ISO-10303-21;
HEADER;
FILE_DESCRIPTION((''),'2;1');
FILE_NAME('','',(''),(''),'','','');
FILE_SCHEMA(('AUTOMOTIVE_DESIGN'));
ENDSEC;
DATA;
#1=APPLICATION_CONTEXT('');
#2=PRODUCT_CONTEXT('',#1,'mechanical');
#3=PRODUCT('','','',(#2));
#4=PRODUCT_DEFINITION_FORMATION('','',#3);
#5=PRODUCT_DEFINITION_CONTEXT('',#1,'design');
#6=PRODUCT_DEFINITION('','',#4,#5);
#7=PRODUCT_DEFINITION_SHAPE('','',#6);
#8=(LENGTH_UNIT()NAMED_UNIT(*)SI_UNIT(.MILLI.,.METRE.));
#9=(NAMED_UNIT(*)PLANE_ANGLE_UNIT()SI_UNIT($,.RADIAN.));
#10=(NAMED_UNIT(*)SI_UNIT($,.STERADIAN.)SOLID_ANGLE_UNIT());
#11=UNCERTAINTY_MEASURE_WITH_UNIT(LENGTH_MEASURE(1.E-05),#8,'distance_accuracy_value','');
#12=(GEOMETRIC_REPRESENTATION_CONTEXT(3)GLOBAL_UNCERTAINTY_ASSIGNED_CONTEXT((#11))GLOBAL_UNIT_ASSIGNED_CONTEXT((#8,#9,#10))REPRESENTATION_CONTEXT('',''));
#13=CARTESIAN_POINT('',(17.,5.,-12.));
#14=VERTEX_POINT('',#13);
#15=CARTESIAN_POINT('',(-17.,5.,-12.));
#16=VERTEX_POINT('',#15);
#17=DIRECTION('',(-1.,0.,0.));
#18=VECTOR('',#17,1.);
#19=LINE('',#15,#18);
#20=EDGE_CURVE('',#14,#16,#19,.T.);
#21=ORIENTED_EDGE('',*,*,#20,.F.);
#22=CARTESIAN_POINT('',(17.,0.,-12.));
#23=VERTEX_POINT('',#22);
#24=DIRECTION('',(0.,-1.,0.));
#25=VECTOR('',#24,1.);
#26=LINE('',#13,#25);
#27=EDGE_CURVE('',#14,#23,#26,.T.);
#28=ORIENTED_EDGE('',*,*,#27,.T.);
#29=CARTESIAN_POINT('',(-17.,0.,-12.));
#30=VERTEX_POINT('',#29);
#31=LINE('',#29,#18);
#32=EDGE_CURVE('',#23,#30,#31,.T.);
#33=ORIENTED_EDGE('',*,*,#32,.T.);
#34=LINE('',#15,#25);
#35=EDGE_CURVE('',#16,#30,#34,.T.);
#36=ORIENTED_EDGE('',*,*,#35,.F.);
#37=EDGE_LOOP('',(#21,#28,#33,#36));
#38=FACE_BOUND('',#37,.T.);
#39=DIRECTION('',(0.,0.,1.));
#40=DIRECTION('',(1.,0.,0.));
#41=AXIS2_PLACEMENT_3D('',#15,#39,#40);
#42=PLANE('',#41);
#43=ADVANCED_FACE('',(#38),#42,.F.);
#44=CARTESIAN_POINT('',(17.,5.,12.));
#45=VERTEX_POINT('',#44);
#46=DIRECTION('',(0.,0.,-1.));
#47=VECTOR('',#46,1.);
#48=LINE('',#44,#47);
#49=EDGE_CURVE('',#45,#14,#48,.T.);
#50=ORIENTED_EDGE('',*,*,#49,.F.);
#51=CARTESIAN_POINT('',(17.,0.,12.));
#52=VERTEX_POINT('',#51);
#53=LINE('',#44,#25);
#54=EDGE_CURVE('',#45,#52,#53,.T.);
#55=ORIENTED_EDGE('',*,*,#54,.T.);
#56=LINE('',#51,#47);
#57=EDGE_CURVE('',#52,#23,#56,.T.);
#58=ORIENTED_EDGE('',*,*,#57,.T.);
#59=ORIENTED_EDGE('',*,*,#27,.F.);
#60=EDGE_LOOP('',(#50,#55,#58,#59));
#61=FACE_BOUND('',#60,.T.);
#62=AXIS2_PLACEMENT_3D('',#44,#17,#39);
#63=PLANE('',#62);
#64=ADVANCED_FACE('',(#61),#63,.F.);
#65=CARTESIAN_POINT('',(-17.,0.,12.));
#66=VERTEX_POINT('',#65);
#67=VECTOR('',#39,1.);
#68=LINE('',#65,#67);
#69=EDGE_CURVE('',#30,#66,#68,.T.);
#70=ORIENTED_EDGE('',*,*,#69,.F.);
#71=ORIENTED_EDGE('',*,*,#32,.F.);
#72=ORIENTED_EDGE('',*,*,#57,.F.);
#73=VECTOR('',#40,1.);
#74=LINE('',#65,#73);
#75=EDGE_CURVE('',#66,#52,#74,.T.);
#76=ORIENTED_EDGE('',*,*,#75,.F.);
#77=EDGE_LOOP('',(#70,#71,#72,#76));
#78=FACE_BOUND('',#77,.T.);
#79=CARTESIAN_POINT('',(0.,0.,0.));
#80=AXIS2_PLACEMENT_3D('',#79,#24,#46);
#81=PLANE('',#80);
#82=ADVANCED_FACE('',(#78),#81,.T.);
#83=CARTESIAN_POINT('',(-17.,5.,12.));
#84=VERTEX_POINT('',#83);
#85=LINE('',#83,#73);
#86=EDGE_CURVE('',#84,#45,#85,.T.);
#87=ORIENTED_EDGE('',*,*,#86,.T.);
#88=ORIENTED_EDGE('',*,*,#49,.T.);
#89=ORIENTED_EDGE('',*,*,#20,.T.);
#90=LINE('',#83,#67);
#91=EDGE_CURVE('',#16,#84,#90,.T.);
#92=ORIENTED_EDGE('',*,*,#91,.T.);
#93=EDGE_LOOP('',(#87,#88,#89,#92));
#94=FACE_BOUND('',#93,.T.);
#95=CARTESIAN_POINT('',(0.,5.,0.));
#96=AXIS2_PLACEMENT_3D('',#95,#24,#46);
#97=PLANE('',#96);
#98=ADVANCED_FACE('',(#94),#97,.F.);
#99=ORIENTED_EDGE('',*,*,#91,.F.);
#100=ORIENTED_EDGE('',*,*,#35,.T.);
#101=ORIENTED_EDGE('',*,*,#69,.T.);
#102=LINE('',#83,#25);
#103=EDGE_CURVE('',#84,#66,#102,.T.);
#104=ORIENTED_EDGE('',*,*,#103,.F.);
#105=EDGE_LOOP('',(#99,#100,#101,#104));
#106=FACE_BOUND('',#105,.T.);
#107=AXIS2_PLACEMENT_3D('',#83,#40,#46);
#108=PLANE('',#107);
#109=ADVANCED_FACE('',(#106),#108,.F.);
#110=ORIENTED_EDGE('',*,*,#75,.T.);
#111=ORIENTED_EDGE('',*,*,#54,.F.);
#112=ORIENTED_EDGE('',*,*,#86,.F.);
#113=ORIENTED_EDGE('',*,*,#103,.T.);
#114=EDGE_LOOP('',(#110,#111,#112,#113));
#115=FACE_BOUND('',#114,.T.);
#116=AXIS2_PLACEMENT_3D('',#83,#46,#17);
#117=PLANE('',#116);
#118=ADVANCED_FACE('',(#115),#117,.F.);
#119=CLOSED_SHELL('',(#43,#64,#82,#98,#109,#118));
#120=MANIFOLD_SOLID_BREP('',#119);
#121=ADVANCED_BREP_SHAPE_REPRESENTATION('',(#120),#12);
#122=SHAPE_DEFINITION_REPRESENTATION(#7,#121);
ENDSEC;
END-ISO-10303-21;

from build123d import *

# Parameters (mm, degrees)
ESBO_O1_W                = 34
ESBO_O1_H                = 24
RESSALTO_EXTRUS_O1_DEPTH = 5


with BuildPart() as part:
    # Esboço1 → Ressalto-extrusão1 (new body)
    with BuildSketch(Plane(origin=(0, 0, 0), x_dir=(1, 0, 0), z_dir=(0, 1, 0))):
        Rectangle(ESBO_O1_W, ESBO_O1_H)
    extrude(amount=RESSALTO_EXTRUS_O1_DEPTH)


solid = part.part
